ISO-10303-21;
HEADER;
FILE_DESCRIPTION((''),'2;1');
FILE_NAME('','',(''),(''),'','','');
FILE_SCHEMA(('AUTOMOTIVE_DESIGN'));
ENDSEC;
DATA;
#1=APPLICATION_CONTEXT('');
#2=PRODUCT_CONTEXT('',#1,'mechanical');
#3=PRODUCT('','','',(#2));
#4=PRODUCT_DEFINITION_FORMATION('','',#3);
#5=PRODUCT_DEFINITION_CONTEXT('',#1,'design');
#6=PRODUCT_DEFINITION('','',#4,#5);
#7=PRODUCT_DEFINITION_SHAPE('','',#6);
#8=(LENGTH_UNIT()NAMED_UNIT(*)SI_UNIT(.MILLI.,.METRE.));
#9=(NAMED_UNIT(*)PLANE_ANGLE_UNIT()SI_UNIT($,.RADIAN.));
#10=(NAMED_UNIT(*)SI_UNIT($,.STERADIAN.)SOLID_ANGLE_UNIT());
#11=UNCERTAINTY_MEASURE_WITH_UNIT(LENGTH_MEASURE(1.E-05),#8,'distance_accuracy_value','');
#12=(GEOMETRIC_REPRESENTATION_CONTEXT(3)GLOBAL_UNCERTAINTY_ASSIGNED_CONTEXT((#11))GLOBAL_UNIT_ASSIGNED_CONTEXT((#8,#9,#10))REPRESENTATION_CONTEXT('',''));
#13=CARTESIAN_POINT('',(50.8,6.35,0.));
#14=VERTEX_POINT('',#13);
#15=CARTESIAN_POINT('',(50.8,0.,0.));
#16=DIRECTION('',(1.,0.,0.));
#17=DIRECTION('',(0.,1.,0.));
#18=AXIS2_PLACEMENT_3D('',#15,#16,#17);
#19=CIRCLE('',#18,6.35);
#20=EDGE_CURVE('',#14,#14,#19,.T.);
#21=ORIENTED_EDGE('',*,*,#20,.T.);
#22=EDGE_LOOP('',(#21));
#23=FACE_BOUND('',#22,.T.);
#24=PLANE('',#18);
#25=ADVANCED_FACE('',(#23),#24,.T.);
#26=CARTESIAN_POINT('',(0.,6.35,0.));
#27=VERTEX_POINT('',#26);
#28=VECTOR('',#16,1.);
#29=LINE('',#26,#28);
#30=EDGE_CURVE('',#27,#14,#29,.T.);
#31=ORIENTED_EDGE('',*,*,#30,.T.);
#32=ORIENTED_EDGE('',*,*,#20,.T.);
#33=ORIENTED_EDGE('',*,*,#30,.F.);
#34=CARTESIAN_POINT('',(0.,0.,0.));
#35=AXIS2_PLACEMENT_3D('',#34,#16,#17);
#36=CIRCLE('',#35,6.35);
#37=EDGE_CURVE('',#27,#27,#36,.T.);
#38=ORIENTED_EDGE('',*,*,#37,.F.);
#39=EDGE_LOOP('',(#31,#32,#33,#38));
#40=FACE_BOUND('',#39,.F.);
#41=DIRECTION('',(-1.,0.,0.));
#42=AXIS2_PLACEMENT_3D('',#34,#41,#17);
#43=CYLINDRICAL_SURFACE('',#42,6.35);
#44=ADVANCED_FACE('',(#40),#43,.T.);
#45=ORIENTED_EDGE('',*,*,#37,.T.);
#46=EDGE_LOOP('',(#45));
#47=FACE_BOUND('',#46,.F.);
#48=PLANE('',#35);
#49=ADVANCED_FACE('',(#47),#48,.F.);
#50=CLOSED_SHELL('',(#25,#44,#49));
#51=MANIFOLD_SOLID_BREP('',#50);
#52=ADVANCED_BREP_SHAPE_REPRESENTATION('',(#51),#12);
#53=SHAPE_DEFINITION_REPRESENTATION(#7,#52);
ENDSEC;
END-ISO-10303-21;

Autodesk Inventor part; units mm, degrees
ref_plane "YZ Plane" through (0, 0, 0) normal (1, 0, 0) x (0, 1, 0)
ref_plane "XZ Plane" through (0, 0, 0) normal (0, 1, 0) x (-1, 0, 0)
ref_plane "XY Plane" through (0, 0, 0) normal (0, 0, 1) x (1, 0, 0)
sketch "Sketch1" plane through (0, 0, 0) normal (1, 0, 0) x (0, 1, 0)
  circle A0 centre (0, 0) radius 6.35
  dimension "d0" = 12.7
extrude "Extrusion1" add sketch "Sketch1" along normal blind 50.8
sketch "Sketch2" plane through (50.8, 0, 0) normal (1, 0, 0) x (0, 0, -1)
  circle A0 centre (0, 0) radius 6.35 projected
  line L0 (0, 0) -> (152.4, -263.9645)
  line L1 (0, 0) -> (304.8, 0) construction
  dimension "d3" = 304.8
  dimension "d4" = 60
properties part number "Sling"
